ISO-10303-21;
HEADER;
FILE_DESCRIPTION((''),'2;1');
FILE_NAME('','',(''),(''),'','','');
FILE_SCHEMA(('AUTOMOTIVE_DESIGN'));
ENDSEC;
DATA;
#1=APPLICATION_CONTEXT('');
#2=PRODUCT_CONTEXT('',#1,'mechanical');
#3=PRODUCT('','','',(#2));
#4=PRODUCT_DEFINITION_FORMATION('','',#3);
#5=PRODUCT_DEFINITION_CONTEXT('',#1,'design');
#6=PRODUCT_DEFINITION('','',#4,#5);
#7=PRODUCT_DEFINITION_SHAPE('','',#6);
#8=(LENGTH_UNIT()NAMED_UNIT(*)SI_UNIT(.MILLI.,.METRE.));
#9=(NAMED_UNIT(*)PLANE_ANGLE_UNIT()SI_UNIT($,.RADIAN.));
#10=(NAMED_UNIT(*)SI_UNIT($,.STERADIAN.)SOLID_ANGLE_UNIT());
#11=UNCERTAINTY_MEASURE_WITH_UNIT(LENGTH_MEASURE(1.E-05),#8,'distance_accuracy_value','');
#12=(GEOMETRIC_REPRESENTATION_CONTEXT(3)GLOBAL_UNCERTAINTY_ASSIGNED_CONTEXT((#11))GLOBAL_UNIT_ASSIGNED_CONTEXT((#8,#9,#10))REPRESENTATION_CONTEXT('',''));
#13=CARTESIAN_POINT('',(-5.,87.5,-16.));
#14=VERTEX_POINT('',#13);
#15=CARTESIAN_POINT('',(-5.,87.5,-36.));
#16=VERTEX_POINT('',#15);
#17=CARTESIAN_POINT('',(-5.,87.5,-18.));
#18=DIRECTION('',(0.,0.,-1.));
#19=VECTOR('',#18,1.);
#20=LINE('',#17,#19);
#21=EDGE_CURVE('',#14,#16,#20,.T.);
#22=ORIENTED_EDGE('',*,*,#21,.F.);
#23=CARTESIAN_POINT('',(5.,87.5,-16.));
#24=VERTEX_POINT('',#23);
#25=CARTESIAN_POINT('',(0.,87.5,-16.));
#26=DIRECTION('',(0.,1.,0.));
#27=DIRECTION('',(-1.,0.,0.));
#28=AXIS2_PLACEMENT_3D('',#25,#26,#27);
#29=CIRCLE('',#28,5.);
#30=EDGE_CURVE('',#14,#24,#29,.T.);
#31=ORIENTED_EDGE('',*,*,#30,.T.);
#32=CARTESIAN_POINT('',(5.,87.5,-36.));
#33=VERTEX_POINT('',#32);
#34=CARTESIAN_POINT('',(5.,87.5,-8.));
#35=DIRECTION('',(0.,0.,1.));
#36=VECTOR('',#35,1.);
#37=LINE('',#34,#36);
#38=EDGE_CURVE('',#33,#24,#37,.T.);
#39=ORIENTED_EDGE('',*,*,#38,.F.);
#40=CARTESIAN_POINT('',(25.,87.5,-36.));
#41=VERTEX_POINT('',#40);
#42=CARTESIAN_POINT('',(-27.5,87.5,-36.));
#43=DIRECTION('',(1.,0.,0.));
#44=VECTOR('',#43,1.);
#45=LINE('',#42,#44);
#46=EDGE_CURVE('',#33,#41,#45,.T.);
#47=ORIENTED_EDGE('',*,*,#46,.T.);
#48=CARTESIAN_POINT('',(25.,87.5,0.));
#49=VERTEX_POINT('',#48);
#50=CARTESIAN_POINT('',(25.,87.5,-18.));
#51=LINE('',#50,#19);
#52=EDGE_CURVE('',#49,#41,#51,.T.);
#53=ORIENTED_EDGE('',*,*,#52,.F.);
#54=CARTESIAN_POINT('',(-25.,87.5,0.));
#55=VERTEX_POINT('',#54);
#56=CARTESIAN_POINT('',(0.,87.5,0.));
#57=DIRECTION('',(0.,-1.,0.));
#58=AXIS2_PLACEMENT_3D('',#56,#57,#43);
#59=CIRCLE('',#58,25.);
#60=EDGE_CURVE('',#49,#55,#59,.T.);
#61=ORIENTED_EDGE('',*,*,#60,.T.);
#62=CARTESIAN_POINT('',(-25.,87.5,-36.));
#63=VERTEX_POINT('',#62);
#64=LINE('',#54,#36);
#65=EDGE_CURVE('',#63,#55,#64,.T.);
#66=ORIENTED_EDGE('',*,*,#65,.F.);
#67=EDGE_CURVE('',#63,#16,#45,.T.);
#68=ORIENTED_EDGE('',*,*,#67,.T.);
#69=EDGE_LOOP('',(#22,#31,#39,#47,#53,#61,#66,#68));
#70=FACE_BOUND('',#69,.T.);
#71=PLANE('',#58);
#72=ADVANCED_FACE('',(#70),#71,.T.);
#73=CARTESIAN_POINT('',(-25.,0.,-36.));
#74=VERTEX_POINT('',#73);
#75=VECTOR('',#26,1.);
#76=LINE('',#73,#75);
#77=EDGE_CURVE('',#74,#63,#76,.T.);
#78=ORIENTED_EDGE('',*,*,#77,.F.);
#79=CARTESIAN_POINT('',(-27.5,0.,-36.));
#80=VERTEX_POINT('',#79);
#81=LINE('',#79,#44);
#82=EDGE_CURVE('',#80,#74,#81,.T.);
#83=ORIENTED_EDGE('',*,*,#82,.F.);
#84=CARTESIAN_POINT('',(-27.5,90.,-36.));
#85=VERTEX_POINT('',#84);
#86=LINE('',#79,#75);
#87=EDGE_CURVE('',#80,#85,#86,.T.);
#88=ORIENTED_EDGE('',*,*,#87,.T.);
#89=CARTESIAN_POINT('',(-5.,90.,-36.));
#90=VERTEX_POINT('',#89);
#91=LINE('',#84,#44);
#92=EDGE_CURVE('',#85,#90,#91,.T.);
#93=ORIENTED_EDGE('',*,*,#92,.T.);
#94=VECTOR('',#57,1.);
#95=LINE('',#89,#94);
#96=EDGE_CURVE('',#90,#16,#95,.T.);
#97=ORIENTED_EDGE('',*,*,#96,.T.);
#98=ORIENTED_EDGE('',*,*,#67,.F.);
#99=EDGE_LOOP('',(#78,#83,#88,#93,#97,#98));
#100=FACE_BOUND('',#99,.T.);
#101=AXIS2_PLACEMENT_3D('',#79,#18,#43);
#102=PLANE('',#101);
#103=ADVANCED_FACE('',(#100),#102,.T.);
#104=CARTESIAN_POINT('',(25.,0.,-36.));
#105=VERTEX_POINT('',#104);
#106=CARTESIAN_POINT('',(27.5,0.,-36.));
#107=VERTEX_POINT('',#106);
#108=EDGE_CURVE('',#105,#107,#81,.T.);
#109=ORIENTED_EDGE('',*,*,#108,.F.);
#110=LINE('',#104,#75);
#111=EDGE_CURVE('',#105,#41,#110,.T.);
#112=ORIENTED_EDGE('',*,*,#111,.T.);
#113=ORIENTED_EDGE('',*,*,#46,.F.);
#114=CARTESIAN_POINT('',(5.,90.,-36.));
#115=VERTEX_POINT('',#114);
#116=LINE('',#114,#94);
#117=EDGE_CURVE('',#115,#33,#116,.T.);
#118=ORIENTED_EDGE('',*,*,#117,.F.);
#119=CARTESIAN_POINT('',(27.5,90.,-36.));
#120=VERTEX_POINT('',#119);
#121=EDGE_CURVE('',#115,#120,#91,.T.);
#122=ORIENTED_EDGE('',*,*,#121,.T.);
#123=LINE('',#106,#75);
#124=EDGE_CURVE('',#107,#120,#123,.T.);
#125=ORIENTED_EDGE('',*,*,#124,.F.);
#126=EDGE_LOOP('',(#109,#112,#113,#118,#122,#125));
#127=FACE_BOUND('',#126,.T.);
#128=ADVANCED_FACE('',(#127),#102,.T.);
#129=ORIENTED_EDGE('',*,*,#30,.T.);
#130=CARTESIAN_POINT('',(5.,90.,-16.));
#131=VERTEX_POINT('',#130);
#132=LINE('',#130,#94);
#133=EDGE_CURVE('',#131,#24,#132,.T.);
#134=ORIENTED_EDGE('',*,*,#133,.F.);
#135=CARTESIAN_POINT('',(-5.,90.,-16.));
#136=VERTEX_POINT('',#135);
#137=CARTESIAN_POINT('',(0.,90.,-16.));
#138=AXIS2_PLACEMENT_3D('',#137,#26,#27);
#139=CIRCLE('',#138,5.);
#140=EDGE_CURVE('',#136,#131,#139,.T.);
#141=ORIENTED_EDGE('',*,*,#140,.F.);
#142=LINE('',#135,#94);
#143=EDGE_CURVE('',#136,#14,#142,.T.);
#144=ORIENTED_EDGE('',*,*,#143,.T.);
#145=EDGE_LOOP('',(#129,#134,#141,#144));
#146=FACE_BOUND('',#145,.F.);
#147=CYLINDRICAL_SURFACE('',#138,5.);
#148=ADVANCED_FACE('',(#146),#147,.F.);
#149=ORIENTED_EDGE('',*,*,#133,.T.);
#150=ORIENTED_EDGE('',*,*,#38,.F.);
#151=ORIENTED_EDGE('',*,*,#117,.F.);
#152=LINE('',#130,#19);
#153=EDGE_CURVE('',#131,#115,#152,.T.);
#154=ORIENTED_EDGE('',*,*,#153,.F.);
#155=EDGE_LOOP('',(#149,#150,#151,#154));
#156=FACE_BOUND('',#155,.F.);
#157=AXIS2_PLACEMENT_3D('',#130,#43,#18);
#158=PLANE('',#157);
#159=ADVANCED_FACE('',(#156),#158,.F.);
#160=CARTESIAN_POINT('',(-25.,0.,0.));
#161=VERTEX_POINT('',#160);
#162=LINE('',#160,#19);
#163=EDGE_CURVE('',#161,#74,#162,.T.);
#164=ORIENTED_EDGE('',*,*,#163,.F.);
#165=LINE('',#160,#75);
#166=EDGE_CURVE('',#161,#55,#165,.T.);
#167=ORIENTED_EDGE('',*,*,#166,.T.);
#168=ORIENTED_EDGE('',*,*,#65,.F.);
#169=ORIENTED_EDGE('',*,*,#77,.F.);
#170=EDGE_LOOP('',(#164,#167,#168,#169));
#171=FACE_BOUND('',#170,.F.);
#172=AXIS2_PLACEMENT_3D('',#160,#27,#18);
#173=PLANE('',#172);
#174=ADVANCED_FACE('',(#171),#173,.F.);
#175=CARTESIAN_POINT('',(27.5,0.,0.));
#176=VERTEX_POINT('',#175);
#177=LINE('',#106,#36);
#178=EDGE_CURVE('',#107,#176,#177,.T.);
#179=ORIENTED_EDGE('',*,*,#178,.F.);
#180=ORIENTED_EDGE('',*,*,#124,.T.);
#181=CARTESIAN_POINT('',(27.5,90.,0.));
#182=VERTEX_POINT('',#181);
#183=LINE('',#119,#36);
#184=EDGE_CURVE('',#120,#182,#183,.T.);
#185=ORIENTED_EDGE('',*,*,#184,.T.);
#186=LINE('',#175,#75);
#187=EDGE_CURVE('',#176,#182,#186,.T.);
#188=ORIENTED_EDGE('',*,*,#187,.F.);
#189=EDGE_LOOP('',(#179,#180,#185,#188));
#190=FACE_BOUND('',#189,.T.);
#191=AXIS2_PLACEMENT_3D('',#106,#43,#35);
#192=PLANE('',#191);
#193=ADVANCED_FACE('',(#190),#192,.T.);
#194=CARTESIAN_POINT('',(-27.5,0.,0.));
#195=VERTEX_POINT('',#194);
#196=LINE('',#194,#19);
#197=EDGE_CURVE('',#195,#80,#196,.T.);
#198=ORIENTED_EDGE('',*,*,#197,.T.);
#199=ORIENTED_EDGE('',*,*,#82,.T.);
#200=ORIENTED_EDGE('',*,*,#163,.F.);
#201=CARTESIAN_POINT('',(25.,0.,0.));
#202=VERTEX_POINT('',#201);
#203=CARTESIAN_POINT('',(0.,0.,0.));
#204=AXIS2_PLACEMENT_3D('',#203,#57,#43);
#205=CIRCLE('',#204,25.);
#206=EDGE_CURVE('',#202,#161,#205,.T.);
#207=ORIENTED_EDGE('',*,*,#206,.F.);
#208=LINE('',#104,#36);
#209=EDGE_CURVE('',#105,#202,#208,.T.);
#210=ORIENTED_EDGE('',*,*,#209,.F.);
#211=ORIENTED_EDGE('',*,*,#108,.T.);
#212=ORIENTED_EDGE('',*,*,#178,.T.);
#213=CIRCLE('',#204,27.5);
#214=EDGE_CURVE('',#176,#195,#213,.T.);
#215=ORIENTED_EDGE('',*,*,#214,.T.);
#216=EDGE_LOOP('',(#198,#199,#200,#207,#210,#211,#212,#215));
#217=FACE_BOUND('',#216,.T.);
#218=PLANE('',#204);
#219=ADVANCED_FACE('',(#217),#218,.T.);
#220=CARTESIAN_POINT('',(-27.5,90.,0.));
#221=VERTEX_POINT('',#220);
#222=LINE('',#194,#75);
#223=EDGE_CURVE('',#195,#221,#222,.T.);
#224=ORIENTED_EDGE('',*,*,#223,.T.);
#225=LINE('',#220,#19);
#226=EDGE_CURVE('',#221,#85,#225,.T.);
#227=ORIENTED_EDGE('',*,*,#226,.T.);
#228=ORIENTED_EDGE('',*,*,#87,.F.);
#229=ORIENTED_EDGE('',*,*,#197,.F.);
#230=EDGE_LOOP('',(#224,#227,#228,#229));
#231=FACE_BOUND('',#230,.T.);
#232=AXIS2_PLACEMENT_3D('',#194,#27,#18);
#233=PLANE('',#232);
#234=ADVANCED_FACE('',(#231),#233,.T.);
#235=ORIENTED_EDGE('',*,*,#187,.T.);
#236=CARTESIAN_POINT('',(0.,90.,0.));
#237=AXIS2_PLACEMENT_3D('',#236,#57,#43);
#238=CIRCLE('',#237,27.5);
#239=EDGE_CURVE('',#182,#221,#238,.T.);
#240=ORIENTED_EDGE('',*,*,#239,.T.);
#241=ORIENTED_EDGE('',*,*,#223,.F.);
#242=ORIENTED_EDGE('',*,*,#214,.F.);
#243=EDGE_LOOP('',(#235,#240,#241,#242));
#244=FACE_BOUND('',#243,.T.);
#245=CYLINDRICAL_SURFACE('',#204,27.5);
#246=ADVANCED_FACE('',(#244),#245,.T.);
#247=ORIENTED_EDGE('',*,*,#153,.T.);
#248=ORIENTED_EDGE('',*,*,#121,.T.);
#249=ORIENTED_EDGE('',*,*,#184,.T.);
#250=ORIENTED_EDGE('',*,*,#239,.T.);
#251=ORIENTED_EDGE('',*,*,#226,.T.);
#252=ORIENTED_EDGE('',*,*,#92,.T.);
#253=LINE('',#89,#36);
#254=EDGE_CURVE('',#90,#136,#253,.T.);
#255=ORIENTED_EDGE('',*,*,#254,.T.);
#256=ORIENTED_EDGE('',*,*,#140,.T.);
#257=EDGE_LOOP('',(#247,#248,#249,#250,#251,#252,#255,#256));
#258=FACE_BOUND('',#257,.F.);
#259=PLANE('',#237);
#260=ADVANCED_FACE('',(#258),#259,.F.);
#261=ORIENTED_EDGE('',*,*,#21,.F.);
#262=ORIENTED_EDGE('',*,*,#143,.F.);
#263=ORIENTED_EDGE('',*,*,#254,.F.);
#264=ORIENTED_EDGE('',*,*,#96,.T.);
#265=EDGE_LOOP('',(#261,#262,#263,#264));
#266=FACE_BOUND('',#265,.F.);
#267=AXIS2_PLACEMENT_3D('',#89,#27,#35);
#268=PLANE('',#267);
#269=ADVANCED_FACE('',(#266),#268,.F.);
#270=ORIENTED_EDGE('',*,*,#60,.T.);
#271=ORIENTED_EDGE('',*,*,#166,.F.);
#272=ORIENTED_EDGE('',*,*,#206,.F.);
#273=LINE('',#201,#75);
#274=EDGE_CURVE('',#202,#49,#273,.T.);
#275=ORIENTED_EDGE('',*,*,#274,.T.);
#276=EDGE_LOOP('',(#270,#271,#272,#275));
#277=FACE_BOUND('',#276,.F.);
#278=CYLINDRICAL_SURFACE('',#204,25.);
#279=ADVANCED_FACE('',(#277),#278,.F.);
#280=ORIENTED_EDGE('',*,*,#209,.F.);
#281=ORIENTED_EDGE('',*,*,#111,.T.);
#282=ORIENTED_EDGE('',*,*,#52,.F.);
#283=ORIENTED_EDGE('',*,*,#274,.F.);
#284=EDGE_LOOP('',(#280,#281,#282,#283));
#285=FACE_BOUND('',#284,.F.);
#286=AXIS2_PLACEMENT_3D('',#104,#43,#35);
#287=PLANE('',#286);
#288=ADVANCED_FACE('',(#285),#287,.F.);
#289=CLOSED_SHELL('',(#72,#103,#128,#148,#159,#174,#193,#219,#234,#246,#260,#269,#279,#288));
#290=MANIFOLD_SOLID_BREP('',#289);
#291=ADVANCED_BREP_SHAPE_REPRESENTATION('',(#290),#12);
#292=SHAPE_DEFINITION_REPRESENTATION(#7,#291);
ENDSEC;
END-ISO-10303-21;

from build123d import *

# Parameters (mm, degrees)
F1_DEPTH = 90
F2_T     = -2.5
F4_DEPTH = 90.001


with BuildPart() as f1:
    # F0 (on Front) → F1 (new body)
    with BuildSketch(Plane.XZ):
        with BuildLine():
            ThreePointArc((-27.5, 0), (0, -27.5), (27.5, 0))
            ThreePointArc((27.5, 0), (0, 27.5), (-27.5, 0))
        make_face()
        with BuildLine():
            Line((27.5, -36), (27.5, 0))
            ThreePointArc((27.5, 0), (0, -27.5), (-27.5, 0))
            Line((-27.5, 0), (-27.5, -36))
            Line((-27.5, -36), (27.5, -36))
        make_face()
    extrude(amount=-F1_DEPTH)

    # F2
    f2_openings = [f1.faces().sort_by_distance(p)[0] for p in [
        (0, 0, -6.873738),
        (0, 45, -36),
    ]]
    offset(amount=F2_T, openings=f2_openings)

    # F3 (on face) → F4 (cut, through all)
    with BuildSketch(Plane(origin=(0, 90, 0), x_dir=(-1, 0, 0), z_dir=(0, 1, 0))):
        with BuildLine():
            ThreePointArc((5, -16), (0, -11), (-5, -16))
            Line((-5, -16), (-5, -36))
            Line((-5, -36), (5, -36))
            Line((5, -36), (5, -16))
        make_face()
    extrude(amount=-F4_DEPTH, mode=Mode.SUBTRACT)


solid = f1.part
